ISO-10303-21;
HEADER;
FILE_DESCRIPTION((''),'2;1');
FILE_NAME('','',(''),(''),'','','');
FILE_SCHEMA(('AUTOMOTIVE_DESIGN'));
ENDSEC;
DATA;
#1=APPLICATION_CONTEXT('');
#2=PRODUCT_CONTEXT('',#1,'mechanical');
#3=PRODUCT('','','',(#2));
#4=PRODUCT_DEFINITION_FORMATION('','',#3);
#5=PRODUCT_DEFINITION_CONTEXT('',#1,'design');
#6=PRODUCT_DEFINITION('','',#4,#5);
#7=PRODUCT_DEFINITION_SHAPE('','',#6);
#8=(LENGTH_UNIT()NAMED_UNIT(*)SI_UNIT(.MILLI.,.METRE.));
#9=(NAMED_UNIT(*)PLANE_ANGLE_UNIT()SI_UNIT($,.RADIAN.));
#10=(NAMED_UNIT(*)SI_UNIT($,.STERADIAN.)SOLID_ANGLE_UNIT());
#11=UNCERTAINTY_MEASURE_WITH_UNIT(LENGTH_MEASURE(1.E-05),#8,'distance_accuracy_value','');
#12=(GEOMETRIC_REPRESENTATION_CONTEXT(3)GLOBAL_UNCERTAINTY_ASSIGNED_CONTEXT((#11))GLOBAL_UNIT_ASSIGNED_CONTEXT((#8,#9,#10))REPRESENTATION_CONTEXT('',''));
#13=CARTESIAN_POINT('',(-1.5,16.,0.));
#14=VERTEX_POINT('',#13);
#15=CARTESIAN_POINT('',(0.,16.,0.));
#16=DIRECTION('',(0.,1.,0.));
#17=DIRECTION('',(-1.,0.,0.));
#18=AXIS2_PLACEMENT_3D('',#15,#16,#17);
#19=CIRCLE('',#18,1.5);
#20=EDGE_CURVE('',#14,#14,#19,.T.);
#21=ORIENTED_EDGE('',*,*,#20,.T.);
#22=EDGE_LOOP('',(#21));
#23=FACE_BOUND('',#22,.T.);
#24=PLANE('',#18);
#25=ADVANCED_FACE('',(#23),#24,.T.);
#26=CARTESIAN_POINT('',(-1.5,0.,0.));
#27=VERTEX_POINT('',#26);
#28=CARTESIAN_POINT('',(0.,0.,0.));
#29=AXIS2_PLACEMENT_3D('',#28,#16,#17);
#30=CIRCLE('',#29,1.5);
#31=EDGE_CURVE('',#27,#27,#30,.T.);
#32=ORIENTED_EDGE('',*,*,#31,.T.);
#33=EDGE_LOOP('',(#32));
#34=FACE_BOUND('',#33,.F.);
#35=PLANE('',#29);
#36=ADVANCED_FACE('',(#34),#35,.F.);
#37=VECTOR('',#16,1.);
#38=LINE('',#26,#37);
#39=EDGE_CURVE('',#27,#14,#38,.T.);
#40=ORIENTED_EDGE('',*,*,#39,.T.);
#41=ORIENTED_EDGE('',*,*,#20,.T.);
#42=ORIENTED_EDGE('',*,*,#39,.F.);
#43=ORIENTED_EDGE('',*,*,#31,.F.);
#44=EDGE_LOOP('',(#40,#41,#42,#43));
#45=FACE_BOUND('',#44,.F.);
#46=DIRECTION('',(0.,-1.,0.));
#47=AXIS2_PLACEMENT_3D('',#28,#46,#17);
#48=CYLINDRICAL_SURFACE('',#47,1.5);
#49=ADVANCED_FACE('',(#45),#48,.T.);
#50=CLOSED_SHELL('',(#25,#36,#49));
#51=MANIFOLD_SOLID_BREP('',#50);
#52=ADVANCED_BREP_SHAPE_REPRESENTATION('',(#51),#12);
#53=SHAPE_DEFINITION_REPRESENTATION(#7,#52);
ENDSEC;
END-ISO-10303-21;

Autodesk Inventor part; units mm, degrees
ref_plane "YZ Plane" through (0, 0, 0) normal (1, 0, 0) x (0, 1, 0)
ref_plane "XZ Plane" through (0, 0, 0) normal (0, 1, 0) x (-1, 0, 0)
ref_plane "XY Plane" through (0, 0, 0) normal (0, 0, 1) x (1, 0, 0)
sketch "スケッチ1" plane through (0, 0, 0) normal (0, 1, 0) x (-1, 0, 0)
  circle A0 centre (0, 0) radius 1.5
  dimension "d0" = 3
extrude "押し出し1" add sketch "スケッチ1" along normal blind 16
properties part number "伸びるやつ１"
